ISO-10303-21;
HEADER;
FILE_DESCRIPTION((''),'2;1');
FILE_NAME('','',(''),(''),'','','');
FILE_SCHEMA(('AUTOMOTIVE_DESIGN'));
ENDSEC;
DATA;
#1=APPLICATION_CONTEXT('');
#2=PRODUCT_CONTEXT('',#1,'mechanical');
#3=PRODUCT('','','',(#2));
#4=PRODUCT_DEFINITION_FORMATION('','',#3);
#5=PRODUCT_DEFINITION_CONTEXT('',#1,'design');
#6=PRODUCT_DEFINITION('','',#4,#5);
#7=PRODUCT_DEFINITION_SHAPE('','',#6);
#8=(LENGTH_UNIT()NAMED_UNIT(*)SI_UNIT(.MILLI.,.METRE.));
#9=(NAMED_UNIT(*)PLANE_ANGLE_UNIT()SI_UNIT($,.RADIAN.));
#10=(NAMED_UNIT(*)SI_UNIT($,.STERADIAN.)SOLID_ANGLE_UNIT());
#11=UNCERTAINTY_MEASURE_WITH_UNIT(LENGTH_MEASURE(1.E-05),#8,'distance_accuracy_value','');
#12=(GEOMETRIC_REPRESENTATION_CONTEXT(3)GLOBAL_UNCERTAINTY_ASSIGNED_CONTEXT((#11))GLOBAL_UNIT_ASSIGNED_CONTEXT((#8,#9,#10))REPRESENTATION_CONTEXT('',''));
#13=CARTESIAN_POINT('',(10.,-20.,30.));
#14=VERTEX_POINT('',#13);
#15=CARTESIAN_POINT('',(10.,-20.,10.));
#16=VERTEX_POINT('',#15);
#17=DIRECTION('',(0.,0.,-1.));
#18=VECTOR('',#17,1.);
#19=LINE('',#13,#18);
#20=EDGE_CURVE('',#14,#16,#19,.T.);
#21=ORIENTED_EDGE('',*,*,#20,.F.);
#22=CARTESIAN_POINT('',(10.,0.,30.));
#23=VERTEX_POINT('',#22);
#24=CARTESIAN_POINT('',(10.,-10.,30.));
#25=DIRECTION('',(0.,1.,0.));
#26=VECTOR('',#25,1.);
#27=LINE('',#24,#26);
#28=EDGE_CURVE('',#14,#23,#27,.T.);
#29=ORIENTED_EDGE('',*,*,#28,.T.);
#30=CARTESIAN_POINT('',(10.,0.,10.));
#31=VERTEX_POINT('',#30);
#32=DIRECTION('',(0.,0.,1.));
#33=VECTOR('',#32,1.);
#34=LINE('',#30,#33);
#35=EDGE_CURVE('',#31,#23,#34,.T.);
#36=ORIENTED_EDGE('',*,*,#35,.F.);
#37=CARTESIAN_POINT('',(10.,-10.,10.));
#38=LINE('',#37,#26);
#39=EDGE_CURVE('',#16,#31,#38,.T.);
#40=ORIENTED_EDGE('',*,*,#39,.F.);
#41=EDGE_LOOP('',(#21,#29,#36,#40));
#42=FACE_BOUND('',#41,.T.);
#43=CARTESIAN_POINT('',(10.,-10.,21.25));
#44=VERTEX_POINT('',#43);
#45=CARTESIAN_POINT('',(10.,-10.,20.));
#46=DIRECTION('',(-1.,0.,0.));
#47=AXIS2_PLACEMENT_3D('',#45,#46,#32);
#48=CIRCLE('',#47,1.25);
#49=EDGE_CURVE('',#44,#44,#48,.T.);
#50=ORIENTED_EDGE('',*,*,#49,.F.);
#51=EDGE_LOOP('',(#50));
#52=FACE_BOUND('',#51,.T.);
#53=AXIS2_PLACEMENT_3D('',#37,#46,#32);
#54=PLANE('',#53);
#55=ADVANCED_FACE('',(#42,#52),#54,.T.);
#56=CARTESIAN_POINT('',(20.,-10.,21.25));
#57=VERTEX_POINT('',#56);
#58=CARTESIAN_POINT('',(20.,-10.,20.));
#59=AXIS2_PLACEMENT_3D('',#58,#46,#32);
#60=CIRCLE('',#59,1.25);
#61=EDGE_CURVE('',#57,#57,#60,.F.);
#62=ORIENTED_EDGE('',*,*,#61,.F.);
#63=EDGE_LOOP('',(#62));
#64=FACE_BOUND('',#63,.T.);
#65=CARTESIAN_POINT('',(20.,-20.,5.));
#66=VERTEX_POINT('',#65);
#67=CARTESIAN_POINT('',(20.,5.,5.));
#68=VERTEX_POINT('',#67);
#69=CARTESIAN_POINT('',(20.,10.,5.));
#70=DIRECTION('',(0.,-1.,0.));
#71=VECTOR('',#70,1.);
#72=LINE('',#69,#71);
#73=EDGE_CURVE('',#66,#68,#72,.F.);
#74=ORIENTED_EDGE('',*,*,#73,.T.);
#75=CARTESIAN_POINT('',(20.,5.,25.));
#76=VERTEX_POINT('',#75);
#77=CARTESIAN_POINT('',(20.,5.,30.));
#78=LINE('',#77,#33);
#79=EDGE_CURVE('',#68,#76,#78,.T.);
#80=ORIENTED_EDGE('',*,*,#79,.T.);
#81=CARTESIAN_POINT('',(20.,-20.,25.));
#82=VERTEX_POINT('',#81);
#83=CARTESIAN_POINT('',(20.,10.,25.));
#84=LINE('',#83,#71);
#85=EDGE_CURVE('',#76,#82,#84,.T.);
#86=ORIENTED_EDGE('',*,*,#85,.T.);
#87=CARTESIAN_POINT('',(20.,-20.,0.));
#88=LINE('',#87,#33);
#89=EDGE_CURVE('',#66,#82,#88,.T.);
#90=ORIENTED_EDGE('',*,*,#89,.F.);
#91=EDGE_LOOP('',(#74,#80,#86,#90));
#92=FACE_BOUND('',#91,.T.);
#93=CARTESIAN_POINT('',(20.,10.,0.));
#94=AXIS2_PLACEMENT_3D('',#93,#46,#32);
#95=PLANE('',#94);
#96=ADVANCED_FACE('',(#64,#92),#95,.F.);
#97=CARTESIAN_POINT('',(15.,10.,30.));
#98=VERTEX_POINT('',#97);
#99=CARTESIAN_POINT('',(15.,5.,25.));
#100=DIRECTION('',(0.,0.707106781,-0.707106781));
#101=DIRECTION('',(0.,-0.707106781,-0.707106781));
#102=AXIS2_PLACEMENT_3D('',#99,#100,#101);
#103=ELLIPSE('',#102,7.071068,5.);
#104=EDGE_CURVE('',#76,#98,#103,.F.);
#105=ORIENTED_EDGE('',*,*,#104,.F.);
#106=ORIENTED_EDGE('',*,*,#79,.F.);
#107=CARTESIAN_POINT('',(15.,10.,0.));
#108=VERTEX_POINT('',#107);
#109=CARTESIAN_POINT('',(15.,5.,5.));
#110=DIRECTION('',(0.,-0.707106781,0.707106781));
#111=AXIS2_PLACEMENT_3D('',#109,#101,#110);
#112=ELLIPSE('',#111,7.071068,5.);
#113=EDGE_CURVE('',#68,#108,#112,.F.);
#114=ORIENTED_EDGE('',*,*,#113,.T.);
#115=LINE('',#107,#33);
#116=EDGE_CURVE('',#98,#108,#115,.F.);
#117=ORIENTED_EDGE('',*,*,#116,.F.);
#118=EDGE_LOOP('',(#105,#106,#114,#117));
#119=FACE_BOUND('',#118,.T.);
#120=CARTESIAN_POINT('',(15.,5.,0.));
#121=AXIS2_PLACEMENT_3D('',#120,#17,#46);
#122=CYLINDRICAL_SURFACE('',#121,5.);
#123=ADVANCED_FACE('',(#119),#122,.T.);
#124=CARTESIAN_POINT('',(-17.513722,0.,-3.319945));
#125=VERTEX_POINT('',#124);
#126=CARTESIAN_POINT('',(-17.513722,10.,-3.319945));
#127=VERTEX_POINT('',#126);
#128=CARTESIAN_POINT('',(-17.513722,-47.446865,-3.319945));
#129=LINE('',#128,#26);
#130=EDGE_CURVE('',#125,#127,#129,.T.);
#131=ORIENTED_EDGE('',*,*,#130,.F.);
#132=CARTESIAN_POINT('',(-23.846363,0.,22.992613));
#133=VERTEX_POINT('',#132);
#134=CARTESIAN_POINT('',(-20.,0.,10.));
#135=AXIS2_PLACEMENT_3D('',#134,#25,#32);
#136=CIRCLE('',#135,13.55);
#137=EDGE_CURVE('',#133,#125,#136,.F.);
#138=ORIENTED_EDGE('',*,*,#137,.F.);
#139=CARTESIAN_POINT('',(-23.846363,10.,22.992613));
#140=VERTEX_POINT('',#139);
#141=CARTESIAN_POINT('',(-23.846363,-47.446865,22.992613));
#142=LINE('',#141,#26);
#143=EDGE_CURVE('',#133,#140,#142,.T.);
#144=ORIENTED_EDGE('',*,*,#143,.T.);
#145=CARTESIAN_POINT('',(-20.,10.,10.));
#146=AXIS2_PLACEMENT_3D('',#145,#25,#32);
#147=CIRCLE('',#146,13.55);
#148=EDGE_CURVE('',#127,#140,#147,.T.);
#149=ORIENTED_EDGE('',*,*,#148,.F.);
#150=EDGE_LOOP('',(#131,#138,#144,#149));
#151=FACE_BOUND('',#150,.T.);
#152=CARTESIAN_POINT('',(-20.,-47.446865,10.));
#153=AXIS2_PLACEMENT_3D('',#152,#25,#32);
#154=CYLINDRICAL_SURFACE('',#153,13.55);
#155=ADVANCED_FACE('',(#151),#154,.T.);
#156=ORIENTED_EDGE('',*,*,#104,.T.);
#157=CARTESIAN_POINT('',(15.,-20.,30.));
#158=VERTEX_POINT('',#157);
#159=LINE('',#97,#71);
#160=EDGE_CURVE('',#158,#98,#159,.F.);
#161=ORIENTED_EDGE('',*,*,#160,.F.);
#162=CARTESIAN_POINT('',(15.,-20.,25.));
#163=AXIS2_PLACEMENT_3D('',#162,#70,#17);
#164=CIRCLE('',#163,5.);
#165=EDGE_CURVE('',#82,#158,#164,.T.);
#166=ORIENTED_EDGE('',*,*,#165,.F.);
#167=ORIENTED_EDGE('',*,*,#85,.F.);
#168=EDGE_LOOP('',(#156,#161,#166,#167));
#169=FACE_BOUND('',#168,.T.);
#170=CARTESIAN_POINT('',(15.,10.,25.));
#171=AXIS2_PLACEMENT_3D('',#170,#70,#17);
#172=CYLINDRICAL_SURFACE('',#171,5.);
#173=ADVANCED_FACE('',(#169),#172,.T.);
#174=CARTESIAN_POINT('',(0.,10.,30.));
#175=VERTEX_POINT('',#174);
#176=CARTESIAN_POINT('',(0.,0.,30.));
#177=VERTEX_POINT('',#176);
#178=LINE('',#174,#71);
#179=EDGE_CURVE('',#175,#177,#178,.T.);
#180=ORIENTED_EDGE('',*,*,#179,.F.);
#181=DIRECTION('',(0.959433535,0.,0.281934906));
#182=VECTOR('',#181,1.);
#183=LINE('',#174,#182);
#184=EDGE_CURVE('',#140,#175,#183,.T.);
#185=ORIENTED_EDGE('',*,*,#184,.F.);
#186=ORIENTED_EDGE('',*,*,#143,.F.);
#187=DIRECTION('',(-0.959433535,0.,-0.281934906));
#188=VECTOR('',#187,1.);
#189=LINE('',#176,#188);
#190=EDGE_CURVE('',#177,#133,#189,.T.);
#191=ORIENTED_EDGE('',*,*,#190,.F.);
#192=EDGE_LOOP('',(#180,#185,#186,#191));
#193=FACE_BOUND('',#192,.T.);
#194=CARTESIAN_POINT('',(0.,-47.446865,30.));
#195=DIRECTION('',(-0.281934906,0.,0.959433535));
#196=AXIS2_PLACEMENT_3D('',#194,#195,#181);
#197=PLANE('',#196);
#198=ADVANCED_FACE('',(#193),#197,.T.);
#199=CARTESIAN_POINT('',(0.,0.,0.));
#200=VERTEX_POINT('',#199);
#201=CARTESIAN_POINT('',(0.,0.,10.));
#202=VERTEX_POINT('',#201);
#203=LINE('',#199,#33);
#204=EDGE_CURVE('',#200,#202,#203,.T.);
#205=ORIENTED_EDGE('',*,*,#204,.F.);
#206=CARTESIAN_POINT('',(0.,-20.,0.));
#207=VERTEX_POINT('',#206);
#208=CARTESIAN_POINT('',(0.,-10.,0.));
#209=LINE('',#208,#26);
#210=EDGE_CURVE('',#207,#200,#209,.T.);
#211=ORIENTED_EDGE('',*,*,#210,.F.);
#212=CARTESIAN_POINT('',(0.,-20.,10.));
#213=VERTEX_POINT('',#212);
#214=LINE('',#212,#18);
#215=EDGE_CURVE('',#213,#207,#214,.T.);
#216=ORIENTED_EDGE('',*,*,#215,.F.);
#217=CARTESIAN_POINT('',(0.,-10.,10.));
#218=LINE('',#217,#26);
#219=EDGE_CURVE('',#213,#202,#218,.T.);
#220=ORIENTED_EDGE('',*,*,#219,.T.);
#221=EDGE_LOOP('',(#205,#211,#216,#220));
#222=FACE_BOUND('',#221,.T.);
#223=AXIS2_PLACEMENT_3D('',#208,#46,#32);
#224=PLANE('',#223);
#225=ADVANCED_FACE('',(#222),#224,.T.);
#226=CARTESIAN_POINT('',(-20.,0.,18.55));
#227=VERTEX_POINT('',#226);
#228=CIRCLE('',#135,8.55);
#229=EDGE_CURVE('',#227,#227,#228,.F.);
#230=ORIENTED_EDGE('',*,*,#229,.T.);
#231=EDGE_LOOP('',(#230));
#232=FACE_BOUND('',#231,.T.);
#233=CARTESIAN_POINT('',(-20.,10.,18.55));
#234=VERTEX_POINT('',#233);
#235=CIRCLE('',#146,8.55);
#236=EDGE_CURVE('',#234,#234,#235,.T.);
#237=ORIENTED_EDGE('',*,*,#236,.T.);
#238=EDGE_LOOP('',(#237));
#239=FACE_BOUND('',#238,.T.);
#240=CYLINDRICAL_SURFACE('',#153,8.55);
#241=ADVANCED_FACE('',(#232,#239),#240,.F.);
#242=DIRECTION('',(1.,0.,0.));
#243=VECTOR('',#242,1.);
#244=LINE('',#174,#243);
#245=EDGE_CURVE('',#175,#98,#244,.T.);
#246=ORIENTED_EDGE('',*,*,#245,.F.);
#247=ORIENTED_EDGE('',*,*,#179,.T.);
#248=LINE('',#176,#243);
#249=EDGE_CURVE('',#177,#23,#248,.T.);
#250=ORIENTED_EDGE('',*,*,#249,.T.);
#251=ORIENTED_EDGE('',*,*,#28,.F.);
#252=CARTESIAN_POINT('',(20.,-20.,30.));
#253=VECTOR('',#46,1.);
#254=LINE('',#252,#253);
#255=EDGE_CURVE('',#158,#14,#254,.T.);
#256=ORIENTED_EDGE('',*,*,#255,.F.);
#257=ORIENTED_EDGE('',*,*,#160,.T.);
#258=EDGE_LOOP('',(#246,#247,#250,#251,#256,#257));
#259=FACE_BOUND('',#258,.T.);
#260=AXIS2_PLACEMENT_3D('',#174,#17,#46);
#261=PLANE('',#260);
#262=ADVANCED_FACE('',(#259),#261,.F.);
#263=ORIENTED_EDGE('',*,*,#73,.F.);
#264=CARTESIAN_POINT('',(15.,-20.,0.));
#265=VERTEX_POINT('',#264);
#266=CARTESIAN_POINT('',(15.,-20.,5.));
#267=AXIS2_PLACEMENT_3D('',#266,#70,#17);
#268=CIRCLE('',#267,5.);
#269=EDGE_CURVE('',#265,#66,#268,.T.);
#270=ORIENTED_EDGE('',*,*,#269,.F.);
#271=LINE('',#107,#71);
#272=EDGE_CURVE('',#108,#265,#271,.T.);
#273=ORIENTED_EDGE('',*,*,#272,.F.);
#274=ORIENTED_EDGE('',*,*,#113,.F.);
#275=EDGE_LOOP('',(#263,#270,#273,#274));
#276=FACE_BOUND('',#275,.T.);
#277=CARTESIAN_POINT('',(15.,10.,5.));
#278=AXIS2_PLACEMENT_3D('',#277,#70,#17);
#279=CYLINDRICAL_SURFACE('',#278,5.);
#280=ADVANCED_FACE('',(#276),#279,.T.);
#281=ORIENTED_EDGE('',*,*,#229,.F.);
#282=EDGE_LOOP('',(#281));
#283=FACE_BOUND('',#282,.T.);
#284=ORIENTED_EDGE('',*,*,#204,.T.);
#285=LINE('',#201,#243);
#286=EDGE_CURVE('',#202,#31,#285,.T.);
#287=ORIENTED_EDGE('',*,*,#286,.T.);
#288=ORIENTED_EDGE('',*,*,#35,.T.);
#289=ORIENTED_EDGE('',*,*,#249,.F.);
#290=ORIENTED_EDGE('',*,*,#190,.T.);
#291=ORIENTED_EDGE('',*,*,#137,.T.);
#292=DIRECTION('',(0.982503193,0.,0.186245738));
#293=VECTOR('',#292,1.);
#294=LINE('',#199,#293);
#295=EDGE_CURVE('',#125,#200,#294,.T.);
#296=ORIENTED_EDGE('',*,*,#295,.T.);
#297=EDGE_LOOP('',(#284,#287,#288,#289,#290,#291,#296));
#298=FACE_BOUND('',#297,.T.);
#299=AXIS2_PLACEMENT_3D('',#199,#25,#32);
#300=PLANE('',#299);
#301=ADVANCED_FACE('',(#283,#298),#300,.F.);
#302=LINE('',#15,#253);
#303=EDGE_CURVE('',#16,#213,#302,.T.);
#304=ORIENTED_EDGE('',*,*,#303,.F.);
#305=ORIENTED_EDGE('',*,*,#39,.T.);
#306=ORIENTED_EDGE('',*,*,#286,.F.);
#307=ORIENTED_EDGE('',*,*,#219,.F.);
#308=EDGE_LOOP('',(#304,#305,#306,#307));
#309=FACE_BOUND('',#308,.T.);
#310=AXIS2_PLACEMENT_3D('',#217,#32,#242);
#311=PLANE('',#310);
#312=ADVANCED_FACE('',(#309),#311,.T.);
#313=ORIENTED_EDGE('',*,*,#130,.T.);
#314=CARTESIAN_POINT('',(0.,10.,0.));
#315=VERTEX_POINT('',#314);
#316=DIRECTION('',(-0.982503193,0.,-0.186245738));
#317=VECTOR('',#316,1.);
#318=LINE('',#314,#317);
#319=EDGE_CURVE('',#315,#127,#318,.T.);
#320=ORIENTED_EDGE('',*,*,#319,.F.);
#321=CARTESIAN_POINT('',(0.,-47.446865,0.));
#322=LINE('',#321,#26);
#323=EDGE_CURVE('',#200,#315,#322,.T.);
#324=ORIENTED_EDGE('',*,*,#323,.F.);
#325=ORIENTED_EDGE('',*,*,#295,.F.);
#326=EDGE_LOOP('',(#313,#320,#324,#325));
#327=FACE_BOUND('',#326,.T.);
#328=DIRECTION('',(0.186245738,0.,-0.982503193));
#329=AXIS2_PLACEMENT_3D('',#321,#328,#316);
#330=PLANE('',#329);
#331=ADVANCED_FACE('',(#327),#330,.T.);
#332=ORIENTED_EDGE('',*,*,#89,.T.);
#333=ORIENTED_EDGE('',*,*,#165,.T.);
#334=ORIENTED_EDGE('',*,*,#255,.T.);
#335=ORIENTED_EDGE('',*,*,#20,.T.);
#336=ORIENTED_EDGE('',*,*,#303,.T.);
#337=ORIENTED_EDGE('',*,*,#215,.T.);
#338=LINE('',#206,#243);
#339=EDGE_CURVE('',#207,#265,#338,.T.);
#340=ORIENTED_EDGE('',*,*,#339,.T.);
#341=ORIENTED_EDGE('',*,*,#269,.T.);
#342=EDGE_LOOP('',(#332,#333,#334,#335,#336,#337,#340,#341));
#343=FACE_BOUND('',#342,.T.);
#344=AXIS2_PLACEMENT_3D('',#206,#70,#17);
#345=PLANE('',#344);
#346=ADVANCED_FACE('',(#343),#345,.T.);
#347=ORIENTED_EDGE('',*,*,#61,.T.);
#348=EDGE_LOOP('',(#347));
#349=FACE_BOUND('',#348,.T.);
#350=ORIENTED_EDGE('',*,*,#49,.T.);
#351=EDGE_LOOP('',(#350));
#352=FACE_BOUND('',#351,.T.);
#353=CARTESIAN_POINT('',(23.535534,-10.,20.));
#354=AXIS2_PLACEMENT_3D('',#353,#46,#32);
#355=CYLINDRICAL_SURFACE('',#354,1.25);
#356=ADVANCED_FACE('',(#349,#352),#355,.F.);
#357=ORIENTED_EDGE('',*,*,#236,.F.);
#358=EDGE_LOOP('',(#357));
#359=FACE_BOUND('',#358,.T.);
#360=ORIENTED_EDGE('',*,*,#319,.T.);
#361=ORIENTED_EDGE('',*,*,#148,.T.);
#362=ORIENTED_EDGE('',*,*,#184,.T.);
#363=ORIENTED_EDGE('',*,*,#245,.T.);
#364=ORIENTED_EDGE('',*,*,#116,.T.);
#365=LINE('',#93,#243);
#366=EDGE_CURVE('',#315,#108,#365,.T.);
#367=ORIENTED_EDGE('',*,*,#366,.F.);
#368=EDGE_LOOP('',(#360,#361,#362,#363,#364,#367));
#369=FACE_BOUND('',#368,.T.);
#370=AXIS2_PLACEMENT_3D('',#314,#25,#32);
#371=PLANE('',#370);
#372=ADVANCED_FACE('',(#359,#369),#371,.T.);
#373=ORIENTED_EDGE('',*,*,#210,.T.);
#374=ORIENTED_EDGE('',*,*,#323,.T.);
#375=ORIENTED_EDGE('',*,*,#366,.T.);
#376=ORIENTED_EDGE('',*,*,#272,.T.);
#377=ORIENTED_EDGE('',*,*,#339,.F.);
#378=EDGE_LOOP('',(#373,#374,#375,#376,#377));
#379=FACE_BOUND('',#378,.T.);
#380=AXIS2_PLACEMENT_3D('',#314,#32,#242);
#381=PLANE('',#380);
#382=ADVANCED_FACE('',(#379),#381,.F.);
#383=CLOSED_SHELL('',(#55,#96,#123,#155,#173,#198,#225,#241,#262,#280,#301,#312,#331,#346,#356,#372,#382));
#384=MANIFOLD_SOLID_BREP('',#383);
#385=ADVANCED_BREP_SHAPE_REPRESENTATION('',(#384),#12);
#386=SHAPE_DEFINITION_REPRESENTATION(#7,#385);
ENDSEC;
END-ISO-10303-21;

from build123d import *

# Parameters (mm, degrees)
SKETCH1_W           = 20
SKETCH1_H           = 30
BOSS_EXTRUDE1_DEPTH = 10
BOSS_EXTRUDE2_DEPTH = 10
SKETCH4_R           = 8.55
BOSS_EXTRUDE3_DEPTH = 10
CUT_EXTRUDE1_DEPTH  = 10
BOSS_EXTRUDE4_DEPTH = 10
SKETCH7_R           = 1.25
CUT_EXTRUDE2_DEPTH  = 10
FILLET1_R           = 5


with BuildPart() as part:
    # Sketch1 → Boss-Extrude1 (new body)
    with BuildSketch(Plane(origin=(0, 0, 0), x_dir=(1, 0, 0), z_dir=(0, 1, 0))):
        with Locations((10, -15)):
            Rectangle(SKETCH1_W, SKETCH1_H)
    extrude(amount=BOSS_EXTRUDE1_DEPTH)

    # Sketch2 → Boss-Extrude2 (add)
    with BuildSketch(Plane(origin=(0, 10, 0), x_dir=(1, 0, 0), z_dir=(0, 1, 0))):
        Polygon((0, 0), (0, -10), (10, -10), (10, -30), (20, -30), (20, 0), align=None)
    boss_extrude2 = extrude(amount=BOSS_EXTRUDE2_DEPTH)

    # Sketch4 → Boss-Extrude3 (add)
    with BuildSketch(Plane(origin=(0, 10, 0), x_dir=(1, 0, 0), z_dir=(0, 1, 0))):
        with BuildLine():
            Line((0, 0), (-17.51372228, 3.319944561))
            ThreePointArc((-17.51372228, 3.319944561), (-33.173842638, -6.829452704), (-23.846362702, -22.992613054))
            Line((-23.846362702, -22.992613054), (0, -30))
            Line((0, -30), (0, 0))
        make_face()
        with Locations(Location((-20, -10, 0), (0, 0, 270))):
            Circle(SKETCH4_R, mode=Mode.SUBTRACT)
    extrude(amount=-BOSS_EXTRUDE3_DEPTH)

    # Mirror1: Boss-Extrude2 across plane
    add(boss_extrude2.mirror(Plane(origin=(0, 5, 0), x_dir=(0, 0, 1), z_dir=(0, -1, 0))))

    # Sketch5 → Cut-Extrude1 (cut)
    with BuildSketch(Plane(origin=(0, 20, 0), x_dir=(1, 0, 0), z_dir=(0, 1, 0))):
        Polygon((20, 0), (0, 0), (0, -10), (10, -10), (10, -30), (20, -30), align=None)
    extrude(amount=-CUT_EXTRUDE1_DEPTH, mode=Mode.SUBTRACT)

    # Sketch6 → Boss-Extrude4 (add)
    with BuildSketch(Plane.XZ.offset(10)):
        Polygon((0, 0), (20, 0), (20, 30), (10, 30), (10, 10), (0, 10), align=None)
    extrude(amount=BOSS_EXTRUDE4_DEPTH)

    # Sketch7 → Cut-Extrude2 (cut)
    with BuildSketch(Plane.ZY.offset(-10)):
        with Locations((20, -10)):
            Circle(SKETCH7_R)
    extrude(amount=-CUT_EXTRUDE2_DEPTH, mode=Mode.SUBTRACT)

    # Fillet1
    fillet1_edges = [part.edges().sort_by_distance(p)[0] for p in [
        (20, -5, 0),
        (20, -5, 30),
        (20, 10, 15),
    ]]
    fillet(fillet1_edges, radius=FILLET1_R)


solid = part.part
